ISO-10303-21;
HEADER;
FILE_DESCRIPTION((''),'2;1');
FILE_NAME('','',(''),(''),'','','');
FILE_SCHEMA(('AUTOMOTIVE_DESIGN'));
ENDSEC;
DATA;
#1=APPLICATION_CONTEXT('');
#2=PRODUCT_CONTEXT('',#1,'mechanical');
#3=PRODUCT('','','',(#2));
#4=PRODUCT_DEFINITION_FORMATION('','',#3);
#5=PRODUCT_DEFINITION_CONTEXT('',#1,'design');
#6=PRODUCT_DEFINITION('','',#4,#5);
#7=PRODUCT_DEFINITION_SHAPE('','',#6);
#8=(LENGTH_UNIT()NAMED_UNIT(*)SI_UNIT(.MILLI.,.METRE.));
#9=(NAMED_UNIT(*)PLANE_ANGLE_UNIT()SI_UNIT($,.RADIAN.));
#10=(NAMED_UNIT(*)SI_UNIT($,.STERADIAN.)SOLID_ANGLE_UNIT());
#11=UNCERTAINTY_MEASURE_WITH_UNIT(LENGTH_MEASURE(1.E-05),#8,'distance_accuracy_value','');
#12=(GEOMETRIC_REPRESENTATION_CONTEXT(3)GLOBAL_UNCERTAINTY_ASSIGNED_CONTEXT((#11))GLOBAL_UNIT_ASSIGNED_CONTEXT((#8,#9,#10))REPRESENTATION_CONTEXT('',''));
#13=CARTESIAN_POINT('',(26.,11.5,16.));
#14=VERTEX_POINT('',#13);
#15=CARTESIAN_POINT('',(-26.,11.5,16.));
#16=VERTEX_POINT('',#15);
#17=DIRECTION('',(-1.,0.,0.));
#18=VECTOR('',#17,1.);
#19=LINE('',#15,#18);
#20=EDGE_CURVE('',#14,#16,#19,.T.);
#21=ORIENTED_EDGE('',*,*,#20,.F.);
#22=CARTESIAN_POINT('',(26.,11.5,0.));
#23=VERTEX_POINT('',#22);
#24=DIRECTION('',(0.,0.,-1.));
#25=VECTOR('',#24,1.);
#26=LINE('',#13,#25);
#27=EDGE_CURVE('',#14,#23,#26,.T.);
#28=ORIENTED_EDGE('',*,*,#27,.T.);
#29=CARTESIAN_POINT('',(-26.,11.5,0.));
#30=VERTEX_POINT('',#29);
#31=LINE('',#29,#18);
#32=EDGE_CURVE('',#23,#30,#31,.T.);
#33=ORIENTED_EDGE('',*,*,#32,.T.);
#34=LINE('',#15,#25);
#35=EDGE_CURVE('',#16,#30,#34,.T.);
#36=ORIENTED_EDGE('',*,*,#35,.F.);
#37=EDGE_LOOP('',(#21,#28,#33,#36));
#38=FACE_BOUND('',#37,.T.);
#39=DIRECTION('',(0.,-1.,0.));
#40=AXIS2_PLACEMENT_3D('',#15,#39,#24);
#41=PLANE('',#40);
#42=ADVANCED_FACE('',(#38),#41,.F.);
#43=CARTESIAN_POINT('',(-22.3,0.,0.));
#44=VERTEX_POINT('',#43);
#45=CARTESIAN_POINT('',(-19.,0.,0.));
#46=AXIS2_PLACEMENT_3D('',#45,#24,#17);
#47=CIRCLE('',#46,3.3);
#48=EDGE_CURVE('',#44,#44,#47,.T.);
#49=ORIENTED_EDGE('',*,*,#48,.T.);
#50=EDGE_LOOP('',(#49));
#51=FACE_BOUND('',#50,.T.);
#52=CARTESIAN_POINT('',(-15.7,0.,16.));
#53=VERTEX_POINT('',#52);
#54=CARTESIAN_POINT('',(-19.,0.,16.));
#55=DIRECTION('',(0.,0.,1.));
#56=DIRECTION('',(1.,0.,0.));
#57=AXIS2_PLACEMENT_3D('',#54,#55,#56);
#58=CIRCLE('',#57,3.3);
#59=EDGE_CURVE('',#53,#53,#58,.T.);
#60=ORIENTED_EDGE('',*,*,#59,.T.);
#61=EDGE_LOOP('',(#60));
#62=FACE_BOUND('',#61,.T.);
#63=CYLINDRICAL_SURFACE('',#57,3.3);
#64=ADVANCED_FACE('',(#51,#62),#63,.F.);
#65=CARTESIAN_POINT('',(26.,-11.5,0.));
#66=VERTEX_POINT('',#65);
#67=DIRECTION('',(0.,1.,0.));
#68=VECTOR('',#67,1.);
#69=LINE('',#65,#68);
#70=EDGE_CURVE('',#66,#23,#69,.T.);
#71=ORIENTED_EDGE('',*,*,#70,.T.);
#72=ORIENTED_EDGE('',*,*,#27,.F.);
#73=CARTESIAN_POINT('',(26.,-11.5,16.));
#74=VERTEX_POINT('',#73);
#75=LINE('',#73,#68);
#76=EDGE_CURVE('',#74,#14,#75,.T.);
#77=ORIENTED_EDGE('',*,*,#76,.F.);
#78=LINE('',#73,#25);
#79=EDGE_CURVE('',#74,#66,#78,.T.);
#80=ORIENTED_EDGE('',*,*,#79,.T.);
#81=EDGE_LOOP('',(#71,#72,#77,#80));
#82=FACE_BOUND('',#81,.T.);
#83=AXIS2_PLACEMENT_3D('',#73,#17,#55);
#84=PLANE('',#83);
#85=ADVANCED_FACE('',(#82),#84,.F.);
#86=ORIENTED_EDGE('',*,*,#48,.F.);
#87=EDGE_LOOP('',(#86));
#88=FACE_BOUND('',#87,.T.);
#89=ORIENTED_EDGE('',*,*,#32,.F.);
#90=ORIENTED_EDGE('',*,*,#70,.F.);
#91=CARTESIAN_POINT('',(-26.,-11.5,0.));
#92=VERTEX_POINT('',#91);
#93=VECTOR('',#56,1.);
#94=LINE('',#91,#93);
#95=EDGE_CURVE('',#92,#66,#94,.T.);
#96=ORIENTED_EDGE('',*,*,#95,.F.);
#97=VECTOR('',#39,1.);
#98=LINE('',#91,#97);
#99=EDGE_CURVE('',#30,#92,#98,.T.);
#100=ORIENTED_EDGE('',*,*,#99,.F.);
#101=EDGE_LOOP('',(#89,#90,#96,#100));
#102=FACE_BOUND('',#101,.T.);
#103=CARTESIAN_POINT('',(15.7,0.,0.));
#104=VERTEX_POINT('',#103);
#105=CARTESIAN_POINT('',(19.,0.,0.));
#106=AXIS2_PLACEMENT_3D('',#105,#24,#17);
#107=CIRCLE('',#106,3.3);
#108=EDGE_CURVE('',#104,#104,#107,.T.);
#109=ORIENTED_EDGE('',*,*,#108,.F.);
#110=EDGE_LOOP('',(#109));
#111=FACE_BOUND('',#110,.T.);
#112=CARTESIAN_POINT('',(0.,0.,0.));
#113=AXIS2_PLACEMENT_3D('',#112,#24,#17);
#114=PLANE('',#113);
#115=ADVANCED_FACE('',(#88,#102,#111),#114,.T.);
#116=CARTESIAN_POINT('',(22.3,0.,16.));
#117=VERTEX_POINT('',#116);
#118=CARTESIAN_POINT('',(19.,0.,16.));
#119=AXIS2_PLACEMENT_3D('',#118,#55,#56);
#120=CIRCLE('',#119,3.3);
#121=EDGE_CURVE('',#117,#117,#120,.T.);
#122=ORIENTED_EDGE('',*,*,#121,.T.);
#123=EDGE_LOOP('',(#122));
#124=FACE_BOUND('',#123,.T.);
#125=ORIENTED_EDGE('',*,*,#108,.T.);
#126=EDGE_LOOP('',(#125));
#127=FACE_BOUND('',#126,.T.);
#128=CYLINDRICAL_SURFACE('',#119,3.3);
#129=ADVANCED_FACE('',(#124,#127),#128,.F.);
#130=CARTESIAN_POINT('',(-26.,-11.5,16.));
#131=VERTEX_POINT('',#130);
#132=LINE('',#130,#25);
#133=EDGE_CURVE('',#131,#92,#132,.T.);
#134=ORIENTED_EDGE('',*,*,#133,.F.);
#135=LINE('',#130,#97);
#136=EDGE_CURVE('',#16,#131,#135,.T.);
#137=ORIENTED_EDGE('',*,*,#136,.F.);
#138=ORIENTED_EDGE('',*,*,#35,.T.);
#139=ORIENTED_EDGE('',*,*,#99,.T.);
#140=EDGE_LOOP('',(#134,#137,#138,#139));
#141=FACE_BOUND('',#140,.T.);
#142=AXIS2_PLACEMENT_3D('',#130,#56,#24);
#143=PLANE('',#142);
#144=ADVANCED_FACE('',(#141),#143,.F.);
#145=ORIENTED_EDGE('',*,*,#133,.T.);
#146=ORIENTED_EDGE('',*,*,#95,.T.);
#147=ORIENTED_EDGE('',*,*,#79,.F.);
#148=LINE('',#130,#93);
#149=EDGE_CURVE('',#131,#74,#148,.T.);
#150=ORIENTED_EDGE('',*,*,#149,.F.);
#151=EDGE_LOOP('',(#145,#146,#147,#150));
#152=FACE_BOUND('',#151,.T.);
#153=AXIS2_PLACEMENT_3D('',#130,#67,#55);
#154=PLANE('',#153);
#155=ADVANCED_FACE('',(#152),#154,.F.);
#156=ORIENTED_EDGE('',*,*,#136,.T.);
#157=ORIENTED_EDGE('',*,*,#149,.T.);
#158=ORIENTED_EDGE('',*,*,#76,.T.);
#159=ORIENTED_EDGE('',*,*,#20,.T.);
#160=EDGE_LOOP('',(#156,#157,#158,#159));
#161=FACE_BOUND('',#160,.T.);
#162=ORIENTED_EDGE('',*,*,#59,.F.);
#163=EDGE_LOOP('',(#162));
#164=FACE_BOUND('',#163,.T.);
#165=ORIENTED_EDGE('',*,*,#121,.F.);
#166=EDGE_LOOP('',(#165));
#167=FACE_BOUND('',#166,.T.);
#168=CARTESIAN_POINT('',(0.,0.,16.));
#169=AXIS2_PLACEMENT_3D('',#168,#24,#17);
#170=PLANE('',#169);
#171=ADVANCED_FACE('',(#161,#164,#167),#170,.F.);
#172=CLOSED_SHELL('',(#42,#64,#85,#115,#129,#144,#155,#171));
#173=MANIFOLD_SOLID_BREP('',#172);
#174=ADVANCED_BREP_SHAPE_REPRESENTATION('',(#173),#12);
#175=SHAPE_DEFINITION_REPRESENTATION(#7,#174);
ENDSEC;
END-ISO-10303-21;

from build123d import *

# Parameters (mm, degrees)
SKETCH_1_W                  = 52
SKETCH_1_H                  = 23
EXTRUDE_1_DEPTH             = 16
HOLE_WIZARD_6_6_6_6_1_D     = 6.6
HOLE_WIZARD_6_6_6_6_1_DEPTH = 16


with BuildPart() as part:
    # 草图1 → 凸台-拉伸1 (new body)
    with BuildSketch(Plane.XY):
        Rectangle(SKETCH_1_W, SKETCH_1_H)
    extrude(amount=EXTRUDE_1_DEPTH)

    # Ø6.6 (6.6) 直径孔1
    with Locations(Plane.XY.offset(16)):
        with Locations((-19, 0), (19, 0)):
            Hole(HOLE_WIZARD_6_6_6_6_1_D / 2, depth=HOLE_WIZARD_6_6_6_6_1_DEPTH)


solid = part.part
